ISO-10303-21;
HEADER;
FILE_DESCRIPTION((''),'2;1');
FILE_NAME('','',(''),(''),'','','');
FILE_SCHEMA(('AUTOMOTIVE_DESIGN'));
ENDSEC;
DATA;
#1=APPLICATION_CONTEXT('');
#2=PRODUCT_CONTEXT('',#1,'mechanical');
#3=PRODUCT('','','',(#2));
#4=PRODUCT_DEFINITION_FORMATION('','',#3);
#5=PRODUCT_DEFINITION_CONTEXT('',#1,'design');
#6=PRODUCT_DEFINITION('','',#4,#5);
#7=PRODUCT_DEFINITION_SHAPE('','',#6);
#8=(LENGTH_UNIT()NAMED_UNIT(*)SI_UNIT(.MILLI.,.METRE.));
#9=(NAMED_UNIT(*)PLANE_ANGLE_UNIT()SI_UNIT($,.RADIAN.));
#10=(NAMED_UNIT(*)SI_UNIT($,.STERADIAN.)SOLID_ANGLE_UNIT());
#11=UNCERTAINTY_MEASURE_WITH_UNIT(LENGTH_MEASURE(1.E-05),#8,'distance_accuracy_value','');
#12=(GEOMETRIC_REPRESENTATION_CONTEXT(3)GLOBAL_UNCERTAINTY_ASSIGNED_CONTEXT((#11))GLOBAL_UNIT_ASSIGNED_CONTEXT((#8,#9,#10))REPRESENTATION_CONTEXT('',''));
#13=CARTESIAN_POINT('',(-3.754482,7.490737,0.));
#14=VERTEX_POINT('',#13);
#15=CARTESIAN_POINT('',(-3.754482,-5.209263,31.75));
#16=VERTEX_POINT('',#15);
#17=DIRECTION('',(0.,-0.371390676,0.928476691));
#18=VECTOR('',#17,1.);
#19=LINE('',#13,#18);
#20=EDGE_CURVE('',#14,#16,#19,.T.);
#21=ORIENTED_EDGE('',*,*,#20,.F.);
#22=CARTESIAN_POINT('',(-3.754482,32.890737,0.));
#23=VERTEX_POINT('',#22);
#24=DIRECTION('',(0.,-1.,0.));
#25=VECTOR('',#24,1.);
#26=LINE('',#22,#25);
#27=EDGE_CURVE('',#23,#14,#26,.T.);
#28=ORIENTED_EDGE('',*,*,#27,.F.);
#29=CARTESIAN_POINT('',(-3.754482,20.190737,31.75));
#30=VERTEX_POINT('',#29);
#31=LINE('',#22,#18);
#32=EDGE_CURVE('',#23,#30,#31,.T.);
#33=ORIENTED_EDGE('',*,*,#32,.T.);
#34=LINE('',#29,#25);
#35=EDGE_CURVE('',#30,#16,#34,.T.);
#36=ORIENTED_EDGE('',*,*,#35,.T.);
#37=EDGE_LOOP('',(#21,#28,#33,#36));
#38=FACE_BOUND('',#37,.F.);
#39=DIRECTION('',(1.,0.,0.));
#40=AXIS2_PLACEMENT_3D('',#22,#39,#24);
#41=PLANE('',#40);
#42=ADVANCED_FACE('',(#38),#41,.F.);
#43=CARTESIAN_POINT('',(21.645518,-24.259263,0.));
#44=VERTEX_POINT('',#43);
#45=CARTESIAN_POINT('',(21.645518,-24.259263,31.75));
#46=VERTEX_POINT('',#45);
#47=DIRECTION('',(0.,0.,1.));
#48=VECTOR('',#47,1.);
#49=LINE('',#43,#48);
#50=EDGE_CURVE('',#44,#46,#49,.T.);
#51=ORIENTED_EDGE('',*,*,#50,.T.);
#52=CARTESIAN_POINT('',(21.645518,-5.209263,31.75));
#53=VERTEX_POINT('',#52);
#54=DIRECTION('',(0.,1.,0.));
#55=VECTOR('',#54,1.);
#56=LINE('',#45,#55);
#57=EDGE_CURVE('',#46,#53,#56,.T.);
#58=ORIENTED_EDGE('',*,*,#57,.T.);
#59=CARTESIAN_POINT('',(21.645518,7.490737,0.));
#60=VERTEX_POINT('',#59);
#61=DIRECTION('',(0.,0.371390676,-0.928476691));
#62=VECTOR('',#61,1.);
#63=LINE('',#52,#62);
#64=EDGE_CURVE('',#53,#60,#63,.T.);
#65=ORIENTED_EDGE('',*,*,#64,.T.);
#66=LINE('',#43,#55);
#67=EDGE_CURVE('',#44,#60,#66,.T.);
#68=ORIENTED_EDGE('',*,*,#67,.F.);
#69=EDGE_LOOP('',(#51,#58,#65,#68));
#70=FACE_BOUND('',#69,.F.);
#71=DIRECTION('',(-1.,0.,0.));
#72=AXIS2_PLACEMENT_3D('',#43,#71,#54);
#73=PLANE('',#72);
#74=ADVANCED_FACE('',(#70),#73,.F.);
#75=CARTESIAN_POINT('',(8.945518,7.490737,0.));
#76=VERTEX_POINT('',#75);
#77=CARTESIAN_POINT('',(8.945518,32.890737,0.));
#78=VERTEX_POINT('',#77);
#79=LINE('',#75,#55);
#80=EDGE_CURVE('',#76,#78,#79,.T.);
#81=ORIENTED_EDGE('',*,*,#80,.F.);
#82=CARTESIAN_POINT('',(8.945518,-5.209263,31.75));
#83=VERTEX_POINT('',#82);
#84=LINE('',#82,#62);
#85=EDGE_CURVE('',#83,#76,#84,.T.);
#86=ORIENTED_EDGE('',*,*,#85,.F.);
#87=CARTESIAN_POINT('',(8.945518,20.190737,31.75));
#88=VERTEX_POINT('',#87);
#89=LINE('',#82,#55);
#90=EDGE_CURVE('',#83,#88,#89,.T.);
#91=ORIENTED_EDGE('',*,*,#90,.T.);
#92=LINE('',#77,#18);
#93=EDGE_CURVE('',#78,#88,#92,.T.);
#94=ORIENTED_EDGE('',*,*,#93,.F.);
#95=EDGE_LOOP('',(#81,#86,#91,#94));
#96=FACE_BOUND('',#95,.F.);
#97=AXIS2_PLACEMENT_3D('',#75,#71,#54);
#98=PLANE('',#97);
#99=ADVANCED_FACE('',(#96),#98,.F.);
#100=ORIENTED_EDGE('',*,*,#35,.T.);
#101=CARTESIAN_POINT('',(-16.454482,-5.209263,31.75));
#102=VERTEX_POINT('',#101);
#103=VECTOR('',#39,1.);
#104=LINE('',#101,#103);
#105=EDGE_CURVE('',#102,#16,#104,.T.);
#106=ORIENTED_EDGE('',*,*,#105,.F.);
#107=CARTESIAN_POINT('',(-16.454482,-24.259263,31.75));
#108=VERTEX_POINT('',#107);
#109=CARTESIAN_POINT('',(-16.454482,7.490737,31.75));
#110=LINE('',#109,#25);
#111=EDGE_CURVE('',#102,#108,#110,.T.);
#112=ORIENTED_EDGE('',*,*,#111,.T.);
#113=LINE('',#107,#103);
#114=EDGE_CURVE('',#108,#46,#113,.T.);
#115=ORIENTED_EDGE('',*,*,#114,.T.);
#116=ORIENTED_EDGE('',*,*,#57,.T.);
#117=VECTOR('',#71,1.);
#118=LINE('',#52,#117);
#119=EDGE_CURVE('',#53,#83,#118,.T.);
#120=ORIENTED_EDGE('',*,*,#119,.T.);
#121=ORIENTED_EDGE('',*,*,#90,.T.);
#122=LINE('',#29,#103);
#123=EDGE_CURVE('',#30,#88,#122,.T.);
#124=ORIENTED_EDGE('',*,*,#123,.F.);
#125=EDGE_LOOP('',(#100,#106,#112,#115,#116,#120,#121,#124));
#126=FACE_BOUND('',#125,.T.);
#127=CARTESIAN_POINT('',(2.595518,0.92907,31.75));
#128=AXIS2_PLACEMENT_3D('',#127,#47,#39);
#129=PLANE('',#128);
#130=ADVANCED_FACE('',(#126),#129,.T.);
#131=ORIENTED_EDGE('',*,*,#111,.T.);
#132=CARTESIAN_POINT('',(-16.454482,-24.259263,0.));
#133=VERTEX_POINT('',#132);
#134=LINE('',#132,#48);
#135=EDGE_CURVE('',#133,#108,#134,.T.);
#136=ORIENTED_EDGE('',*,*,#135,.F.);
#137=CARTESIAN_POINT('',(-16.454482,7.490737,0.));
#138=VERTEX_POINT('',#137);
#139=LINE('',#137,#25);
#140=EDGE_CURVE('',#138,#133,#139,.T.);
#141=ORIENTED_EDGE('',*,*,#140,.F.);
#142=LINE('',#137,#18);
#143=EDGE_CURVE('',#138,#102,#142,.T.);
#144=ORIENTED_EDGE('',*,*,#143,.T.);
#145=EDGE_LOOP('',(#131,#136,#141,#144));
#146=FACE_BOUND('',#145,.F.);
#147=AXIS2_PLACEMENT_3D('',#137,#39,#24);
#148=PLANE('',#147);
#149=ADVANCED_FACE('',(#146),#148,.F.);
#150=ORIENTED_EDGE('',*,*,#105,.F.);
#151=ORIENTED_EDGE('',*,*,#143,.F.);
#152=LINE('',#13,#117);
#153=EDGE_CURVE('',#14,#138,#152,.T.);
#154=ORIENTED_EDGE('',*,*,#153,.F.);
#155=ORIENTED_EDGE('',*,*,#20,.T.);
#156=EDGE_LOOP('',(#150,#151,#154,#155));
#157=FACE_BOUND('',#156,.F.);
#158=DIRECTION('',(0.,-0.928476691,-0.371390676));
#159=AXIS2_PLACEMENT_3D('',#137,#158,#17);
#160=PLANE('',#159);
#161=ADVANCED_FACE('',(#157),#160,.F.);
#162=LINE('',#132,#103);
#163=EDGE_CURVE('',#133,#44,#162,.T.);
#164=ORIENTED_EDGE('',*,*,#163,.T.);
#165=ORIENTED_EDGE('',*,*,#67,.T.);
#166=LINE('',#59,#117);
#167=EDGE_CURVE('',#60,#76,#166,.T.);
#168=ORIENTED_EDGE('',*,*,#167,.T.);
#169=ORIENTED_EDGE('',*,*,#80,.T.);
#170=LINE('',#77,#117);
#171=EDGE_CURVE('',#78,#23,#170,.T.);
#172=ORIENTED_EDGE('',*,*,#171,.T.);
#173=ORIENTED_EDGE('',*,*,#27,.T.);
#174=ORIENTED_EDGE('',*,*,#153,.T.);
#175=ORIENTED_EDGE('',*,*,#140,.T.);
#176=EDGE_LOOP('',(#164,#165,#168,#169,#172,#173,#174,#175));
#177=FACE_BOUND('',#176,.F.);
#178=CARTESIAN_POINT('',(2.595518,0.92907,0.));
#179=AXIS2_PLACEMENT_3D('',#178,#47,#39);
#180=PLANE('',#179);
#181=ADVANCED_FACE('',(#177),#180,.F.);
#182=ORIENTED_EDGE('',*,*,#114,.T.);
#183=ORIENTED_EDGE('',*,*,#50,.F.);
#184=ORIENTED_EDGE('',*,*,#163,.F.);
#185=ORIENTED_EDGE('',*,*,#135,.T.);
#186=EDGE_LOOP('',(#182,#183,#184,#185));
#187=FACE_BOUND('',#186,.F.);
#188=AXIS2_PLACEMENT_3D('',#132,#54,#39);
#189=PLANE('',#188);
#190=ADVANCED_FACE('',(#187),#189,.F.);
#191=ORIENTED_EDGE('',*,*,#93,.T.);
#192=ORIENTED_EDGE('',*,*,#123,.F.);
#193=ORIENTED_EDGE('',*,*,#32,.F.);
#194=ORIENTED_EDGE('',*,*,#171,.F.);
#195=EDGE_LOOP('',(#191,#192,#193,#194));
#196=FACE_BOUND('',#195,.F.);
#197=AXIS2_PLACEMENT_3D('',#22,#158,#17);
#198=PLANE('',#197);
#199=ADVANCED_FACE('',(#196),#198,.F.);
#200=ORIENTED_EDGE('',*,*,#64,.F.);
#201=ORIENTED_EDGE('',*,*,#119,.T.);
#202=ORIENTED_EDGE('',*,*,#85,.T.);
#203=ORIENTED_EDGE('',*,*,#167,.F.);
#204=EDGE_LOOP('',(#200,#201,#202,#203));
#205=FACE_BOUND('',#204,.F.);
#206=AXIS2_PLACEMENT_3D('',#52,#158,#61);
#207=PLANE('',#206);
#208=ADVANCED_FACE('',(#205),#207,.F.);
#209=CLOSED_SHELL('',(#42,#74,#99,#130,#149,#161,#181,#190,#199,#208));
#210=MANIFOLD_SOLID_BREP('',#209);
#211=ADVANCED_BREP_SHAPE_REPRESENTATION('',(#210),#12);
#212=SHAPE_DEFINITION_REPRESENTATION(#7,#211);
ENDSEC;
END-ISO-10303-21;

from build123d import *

# Parameters (mm, degrees)
F2_DEPTH = 31.75
F4_DEPTH = 12.7
F6_DEPTH = 12.7
F8_DEPTH = 12.7


with BuildPart() as f2:
    # F0 (on Top) → F2 (new body)
    with BuildSketch(Plane.XY):
        Polygon((-16.454482, 7.490737), (-16.454482, -24.259263), (21.645518, -24.259263), (21.645518, 7.490737), (8.945518, 7.490737), (8.945518, 32.890737), (-3.754482, 32.890737), (-3.754482, 7.490737), align=None)
    extrude(amount=F2_DEPTH)

    # F3 (on face) → F4 (cut)
    with BuildSketch(Plane(origin=(-3.754482, 0, 0), x_dir=(0, -1, 0), z_dir=(-1, 0, 0))):
        Polygon((-20.190737, 31.75), (-32.890737, 31.75), (-32.890737, 0), align=None)
    extrude(amount=-F4_DEPTH, mode=Mode.SUBTRACT)

    # F5 (on face) → F6 (cut)
    with BuildSketch(Plane(origin=(-16.454482, 0, 0), x_dir=(0, -1, 0), z_dir=(-1, 0, 0))):
        Polygon((-7.490737, 31.75), (-7.490737, 0), (5.209263, 31.75), align=None)
    extrude(amount=-F6_DEPTH, mode=Mode.SUBTRACT)

    # F7 (on face) → F8 (cut)
    with BuildSketch(Plane.YZ.offset(21.645518)):
        Polygon((7.490737, 0), (7.490737, 31.75), (-5.209263, 31.75), align=None)
    extrude(amount=-F8_DEPTH, mode=Mode.SUBTRACT)


solid = f2.part
